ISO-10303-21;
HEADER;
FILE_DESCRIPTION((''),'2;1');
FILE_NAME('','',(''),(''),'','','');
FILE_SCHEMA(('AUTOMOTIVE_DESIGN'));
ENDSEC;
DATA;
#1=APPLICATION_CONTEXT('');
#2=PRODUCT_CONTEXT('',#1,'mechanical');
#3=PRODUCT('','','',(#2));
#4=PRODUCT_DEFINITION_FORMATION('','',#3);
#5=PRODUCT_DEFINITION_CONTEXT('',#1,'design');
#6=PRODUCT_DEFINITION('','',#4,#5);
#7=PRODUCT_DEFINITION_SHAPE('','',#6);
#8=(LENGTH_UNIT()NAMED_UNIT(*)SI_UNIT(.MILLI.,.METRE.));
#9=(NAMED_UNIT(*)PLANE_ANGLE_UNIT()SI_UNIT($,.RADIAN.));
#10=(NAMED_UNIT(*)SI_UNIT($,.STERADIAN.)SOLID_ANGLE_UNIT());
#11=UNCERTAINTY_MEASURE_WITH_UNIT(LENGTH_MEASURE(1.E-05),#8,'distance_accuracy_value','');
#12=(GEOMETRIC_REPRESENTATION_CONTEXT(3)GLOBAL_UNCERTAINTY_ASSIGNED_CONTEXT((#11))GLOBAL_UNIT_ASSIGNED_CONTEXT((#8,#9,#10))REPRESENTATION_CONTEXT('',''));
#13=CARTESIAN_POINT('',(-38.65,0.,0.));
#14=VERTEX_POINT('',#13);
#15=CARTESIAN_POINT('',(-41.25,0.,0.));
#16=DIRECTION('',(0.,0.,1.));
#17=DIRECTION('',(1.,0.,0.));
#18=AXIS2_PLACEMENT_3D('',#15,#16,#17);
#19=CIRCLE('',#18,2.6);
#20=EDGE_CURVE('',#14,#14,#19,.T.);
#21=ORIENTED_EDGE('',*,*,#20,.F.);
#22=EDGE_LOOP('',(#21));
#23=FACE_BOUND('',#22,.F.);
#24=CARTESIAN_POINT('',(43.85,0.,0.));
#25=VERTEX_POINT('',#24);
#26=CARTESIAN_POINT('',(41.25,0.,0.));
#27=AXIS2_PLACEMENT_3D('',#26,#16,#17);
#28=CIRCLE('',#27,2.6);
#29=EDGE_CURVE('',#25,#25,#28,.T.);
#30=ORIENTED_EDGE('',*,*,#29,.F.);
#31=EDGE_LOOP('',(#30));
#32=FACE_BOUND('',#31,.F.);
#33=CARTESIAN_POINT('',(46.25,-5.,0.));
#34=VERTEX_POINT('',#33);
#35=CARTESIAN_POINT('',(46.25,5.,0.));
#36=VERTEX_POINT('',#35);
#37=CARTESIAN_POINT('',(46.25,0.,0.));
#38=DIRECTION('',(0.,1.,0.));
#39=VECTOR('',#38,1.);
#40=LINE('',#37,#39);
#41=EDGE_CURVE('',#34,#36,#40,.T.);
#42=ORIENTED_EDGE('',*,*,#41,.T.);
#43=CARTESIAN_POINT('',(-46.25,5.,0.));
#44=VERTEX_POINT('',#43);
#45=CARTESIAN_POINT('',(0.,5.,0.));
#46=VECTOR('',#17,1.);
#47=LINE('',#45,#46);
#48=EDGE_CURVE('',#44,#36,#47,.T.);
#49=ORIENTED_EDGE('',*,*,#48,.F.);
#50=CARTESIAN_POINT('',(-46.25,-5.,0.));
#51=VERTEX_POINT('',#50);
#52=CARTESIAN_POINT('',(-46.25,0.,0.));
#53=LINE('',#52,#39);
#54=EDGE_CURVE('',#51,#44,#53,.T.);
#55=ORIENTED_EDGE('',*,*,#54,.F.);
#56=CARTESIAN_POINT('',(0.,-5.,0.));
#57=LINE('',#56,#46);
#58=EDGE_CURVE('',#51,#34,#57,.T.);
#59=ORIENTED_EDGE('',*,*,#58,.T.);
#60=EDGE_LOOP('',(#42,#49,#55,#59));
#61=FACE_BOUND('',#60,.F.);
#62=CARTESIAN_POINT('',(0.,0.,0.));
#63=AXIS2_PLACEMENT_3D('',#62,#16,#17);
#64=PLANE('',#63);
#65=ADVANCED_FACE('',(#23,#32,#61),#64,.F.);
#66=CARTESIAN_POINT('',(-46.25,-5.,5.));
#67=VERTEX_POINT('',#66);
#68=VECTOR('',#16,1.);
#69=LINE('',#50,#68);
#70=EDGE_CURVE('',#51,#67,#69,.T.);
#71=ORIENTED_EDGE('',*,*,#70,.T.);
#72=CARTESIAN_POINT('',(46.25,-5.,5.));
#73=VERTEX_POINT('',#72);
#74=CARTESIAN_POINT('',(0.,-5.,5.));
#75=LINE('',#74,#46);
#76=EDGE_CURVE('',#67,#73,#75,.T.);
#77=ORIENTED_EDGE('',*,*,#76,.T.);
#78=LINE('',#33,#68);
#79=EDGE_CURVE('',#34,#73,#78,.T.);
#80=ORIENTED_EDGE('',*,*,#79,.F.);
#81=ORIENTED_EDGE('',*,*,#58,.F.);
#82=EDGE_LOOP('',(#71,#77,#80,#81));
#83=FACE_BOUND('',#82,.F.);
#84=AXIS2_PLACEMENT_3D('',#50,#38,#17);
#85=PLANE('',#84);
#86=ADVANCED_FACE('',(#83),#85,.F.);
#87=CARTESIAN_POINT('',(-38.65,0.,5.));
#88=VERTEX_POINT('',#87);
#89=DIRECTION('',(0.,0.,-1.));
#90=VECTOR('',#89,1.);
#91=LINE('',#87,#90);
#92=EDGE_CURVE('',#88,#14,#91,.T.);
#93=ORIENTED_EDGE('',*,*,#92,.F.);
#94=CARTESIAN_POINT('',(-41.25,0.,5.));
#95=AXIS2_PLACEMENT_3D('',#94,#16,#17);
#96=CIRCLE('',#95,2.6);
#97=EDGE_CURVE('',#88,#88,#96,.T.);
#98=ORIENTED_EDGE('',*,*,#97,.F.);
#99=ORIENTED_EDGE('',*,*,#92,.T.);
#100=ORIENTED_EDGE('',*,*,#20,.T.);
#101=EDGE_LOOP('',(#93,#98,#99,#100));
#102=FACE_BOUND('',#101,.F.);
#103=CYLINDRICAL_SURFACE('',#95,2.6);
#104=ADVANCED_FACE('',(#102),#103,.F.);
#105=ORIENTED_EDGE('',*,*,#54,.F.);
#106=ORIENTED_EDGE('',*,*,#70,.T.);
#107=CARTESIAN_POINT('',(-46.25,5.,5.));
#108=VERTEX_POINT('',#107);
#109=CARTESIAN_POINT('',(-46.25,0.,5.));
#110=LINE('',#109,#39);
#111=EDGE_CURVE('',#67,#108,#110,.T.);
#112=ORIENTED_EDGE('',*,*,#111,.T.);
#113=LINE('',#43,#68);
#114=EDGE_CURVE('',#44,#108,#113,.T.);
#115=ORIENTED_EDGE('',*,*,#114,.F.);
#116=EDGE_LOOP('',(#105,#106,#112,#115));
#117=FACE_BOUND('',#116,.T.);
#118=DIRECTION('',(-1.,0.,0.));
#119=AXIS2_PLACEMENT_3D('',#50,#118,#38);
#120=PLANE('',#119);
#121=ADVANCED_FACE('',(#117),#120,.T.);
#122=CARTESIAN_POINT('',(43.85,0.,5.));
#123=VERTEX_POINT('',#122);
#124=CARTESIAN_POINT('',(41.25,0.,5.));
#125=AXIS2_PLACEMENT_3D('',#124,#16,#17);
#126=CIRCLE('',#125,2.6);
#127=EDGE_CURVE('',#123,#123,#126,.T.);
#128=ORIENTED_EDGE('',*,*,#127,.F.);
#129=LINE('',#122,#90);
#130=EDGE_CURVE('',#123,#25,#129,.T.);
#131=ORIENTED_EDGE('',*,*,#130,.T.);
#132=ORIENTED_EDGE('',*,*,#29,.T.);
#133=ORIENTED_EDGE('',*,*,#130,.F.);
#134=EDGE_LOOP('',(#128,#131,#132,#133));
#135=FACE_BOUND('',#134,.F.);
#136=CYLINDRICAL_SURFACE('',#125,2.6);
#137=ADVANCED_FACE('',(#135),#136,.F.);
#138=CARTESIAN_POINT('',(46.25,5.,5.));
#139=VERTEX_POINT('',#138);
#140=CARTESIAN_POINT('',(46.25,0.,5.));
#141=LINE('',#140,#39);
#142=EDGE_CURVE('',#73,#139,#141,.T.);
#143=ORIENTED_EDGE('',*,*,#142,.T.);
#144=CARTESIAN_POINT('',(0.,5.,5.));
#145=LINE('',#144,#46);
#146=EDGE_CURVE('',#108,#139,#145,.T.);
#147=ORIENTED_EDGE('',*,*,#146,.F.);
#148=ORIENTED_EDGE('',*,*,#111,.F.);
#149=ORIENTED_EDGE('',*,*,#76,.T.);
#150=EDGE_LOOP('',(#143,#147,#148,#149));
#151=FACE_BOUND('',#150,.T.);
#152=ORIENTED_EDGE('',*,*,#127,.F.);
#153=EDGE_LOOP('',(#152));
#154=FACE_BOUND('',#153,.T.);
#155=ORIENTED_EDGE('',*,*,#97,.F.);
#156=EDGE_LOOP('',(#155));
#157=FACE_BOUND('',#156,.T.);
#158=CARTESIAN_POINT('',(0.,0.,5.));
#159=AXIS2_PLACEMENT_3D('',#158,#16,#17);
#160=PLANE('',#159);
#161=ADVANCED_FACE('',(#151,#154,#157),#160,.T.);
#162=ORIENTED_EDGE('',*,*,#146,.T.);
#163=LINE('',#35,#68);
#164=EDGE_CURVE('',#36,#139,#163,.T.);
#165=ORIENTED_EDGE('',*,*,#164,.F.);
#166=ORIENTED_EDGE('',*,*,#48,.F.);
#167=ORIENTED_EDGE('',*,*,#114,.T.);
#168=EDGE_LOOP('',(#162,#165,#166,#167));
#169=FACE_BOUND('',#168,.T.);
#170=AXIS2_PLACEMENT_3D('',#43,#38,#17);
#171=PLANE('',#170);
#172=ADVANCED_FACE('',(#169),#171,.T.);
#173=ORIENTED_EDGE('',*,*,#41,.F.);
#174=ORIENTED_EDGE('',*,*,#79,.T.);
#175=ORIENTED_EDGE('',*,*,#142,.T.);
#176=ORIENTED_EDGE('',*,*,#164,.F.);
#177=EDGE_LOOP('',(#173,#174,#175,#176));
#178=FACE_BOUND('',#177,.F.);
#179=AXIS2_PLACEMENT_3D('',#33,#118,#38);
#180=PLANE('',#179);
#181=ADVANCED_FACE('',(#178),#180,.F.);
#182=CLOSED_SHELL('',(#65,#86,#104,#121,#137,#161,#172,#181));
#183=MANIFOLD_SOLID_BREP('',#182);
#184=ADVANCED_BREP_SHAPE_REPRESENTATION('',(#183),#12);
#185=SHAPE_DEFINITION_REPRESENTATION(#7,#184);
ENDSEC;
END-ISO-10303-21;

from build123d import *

# Parameters (mm, degrees)
F0_W     = 92.5
F0_H     = 10
F1_DEPTH = 5
F3_DEPTH = 25
F4_R     = 2.6
F5_DEPTH = 25


with BuildPart() as f1:
    # F0 (on Top) → F1 (new body)
    with BuildSketch(Plane.XY):
        Rectangle(F0_W, F0_H)
    extrude(amount=F1_DEPTH)

    # F2 (on face) → F3 (cut)
    with BuildSketch(Plane.XY.offset(5)):
        with BuildLine():
            ThreePointArc((-43.85, 0), (-41.25, -2.6), (-38.65, 0))
            ThreePointArc((-38.65, 0), (-41.25, 2.6), (-43.85, 0))
        make_face()
    extrude(amount=-F3_DEPTH, mode=Mode.SUBTRACT)

    # F4 (on face) → F5 (cut)
    with BuildSketch(Plane.XY.offset(5)):
        with Locations((41.25, 0)):
            Circle(F4_R)
    extrude(amount=-F5_DEPTH, mode=Mode.SUBTRACT)


solid = f1.part
